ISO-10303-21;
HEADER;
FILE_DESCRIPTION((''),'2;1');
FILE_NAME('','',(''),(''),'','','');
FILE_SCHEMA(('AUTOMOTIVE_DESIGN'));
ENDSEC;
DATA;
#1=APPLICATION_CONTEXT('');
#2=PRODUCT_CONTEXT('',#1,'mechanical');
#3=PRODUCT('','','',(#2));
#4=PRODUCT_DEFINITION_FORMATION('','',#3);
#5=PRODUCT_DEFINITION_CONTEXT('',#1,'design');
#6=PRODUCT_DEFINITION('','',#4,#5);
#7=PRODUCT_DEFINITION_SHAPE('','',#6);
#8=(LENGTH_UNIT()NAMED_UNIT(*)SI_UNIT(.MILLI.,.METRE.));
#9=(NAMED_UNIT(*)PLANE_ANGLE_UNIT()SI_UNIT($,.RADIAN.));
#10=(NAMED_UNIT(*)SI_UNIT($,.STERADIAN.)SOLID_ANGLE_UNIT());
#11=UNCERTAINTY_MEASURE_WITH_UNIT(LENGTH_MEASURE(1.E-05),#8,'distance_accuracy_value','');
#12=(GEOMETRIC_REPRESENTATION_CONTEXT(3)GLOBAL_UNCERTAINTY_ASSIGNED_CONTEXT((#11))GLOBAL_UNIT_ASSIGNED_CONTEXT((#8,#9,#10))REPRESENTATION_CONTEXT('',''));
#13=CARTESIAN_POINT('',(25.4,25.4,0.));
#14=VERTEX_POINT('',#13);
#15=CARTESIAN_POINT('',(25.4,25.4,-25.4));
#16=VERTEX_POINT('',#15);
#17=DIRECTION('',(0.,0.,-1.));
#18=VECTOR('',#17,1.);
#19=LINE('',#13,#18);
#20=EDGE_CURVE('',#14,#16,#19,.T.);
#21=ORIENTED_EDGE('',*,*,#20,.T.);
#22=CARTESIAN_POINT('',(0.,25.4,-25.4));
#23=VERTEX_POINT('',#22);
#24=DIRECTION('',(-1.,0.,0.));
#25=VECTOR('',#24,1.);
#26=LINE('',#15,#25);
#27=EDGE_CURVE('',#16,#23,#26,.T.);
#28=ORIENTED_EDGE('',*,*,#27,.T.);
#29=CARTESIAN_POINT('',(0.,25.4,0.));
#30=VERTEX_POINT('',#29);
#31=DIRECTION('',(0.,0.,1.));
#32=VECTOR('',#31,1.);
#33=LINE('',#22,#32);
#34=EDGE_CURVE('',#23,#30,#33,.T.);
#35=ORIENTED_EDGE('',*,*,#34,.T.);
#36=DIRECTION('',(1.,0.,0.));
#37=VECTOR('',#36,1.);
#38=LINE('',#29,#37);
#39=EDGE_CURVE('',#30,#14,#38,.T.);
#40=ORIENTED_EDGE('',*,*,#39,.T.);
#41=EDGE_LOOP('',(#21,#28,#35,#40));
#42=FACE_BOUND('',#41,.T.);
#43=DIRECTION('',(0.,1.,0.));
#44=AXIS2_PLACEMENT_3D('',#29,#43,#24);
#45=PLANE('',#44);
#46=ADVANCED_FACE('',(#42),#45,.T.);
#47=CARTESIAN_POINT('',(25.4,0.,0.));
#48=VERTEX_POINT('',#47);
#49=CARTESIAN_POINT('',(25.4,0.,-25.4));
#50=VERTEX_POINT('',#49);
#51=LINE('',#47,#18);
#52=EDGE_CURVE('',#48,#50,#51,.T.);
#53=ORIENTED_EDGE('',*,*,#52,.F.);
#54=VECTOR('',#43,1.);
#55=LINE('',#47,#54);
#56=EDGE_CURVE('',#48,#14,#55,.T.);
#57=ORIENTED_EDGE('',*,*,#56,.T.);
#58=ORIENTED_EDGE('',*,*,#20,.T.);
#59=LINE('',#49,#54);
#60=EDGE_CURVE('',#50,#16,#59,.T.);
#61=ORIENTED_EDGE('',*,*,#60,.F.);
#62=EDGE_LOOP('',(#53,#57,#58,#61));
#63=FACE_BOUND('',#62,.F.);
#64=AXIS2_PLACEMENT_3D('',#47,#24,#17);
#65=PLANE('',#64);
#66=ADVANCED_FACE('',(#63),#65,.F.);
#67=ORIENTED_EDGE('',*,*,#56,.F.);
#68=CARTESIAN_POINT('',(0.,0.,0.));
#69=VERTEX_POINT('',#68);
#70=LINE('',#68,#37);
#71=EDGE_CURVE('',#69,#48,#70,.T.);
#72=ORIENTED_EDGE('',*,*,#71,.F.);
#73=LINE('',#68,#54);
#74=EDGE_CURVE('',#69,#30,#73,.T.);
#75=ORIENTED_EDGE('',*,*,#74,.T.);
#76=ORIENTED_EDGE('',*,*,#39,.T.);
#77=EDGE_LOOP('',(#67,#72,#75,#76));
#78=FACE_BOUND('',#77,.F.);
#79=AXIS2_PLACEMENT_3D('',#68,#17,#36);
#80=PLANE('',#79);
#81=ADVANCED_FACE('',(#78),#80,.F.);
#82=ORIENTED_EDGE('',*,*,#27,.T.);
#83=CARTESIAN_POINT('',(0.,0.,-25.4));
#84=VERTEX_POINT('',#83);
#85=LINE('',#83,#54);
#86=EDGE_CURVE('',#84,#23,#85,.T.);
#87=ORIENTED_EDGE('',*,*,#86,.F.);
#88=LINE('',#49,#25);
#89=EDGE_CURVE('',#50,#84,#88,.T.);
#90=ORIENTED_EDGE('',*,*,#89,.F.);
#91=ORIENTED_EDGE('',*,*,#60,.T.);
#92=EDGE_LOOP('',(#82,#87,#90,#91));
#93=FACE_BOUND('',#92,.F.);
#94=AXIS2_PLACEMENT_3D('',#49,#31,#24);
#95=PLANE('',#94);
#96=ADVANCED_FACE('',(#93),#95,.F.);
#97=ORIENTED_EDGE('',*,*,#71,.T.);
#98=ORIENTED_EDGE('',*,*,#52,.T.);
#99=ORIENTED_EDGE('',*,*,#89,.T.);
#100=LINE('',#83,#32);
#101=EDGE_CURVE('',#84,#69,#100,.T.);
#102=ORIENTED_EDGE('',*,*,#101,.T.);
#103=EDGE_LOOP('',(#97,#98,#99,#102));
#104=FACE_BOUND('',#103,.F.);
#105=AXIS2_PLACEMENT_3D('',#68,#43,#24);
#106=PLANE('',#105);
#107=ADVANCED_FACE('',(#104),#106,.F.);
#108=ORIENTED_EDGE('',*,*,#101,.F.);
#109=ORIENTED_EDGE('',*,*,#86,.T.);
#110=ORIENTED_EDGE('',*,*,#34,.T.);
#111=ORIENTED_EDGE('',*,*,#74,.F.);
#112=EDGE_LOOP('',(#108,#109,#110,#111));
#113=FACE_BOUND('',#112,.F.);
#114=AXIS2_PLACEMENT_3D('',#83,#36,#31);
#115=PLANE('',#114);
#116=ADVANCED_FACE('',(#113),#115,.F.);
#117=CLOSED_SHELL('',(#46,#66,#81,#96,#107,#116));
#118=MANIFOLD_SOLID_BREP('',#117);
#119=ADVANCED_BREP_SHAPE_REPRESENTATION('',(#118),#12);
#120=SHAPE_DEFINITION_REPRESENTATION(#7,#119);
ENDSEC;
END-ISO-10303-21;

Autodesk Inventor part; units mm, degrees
ref_plane "YZ Plane" through (0, 0, 0) normal (1, 0, 0) x (0, 1, 0)
ref_plane "XZ Plane" through (0, 0, 0) normal (0, 1, 0) x (-1, 0, 0)
ref_plane "XY Plane" through (0, 0, 0) normal (0, 0, 1) x (1, 0, 0)
sketch "Sketch1" plane through (0, 0, 0) normal (0, 1, 0) x (-1, 0, 0)
  line L0 (0, 0) -> (-25.4, 0)
  line L1 (-25.4, 0) -> (-25.4, -25.4)
  line L2 (-25.4, -25.4) -> (0, -25.4)
  line L3 (0, -25.4) -> (0, 0)
  dimension "d0" = 25.4
  dimension "d1" = 25.4
extrude "Extrusion1" add sketch "Sketch1" along normal blind 25.4
properties part number "cube"
